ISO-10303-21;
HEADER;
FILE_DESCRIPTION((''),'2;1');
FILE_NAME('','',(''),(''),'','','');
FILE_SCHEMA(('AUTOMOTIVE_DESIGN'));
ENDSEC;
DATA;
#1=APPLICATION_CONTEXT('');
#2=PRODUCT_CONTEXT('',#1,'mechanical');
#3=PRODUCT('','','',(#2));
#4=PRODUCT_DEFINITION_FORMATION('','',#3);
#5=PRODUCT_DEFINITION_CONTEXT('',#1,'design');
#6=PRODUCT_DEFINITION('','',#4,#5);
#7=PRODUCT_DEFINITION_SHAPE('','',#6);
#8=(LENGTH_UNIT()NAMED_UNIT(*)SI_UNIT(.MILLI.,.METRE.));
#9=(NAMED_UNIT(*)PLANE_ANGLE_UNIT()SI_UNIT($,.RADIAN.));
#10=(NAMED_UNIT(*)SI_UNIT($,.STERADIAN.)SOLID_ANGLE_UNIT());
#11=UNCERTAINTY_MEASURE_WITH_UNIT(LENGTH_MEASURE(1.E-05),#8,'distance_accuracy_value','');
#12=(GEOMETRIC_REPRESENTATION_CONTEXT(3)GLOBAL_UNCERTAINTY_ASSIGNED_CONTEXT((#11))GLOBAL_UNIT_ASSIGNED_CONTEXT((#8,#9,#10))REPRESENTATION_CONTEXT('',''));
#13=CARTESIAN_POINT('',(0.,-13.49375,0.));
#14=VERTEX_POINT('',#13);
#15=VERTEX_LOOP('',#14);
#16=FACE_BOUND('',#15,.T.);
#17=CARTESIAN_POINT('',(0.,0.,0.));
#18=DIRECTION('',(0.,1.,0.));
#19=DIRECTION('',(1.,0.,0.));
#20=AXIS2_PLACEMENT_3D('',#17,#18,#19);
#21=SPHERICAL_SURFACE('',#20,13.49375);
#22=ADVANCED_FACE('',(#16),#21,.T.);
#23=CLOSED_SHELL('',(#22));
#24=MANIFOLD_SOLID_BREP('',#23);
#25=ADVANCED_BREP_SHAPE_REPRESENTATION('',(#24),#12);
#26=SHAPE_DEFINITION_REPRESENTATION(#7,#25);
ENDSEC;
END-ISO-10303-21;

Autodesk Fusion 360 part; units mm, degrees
sphere "SpherePrimitive1" add diameter 26.9875 placed x (1, 0, 0) y (0, 0, -1) z (0, 1, 0) at (0, 0, 0)
equation "d1 = 1 1/16\""
